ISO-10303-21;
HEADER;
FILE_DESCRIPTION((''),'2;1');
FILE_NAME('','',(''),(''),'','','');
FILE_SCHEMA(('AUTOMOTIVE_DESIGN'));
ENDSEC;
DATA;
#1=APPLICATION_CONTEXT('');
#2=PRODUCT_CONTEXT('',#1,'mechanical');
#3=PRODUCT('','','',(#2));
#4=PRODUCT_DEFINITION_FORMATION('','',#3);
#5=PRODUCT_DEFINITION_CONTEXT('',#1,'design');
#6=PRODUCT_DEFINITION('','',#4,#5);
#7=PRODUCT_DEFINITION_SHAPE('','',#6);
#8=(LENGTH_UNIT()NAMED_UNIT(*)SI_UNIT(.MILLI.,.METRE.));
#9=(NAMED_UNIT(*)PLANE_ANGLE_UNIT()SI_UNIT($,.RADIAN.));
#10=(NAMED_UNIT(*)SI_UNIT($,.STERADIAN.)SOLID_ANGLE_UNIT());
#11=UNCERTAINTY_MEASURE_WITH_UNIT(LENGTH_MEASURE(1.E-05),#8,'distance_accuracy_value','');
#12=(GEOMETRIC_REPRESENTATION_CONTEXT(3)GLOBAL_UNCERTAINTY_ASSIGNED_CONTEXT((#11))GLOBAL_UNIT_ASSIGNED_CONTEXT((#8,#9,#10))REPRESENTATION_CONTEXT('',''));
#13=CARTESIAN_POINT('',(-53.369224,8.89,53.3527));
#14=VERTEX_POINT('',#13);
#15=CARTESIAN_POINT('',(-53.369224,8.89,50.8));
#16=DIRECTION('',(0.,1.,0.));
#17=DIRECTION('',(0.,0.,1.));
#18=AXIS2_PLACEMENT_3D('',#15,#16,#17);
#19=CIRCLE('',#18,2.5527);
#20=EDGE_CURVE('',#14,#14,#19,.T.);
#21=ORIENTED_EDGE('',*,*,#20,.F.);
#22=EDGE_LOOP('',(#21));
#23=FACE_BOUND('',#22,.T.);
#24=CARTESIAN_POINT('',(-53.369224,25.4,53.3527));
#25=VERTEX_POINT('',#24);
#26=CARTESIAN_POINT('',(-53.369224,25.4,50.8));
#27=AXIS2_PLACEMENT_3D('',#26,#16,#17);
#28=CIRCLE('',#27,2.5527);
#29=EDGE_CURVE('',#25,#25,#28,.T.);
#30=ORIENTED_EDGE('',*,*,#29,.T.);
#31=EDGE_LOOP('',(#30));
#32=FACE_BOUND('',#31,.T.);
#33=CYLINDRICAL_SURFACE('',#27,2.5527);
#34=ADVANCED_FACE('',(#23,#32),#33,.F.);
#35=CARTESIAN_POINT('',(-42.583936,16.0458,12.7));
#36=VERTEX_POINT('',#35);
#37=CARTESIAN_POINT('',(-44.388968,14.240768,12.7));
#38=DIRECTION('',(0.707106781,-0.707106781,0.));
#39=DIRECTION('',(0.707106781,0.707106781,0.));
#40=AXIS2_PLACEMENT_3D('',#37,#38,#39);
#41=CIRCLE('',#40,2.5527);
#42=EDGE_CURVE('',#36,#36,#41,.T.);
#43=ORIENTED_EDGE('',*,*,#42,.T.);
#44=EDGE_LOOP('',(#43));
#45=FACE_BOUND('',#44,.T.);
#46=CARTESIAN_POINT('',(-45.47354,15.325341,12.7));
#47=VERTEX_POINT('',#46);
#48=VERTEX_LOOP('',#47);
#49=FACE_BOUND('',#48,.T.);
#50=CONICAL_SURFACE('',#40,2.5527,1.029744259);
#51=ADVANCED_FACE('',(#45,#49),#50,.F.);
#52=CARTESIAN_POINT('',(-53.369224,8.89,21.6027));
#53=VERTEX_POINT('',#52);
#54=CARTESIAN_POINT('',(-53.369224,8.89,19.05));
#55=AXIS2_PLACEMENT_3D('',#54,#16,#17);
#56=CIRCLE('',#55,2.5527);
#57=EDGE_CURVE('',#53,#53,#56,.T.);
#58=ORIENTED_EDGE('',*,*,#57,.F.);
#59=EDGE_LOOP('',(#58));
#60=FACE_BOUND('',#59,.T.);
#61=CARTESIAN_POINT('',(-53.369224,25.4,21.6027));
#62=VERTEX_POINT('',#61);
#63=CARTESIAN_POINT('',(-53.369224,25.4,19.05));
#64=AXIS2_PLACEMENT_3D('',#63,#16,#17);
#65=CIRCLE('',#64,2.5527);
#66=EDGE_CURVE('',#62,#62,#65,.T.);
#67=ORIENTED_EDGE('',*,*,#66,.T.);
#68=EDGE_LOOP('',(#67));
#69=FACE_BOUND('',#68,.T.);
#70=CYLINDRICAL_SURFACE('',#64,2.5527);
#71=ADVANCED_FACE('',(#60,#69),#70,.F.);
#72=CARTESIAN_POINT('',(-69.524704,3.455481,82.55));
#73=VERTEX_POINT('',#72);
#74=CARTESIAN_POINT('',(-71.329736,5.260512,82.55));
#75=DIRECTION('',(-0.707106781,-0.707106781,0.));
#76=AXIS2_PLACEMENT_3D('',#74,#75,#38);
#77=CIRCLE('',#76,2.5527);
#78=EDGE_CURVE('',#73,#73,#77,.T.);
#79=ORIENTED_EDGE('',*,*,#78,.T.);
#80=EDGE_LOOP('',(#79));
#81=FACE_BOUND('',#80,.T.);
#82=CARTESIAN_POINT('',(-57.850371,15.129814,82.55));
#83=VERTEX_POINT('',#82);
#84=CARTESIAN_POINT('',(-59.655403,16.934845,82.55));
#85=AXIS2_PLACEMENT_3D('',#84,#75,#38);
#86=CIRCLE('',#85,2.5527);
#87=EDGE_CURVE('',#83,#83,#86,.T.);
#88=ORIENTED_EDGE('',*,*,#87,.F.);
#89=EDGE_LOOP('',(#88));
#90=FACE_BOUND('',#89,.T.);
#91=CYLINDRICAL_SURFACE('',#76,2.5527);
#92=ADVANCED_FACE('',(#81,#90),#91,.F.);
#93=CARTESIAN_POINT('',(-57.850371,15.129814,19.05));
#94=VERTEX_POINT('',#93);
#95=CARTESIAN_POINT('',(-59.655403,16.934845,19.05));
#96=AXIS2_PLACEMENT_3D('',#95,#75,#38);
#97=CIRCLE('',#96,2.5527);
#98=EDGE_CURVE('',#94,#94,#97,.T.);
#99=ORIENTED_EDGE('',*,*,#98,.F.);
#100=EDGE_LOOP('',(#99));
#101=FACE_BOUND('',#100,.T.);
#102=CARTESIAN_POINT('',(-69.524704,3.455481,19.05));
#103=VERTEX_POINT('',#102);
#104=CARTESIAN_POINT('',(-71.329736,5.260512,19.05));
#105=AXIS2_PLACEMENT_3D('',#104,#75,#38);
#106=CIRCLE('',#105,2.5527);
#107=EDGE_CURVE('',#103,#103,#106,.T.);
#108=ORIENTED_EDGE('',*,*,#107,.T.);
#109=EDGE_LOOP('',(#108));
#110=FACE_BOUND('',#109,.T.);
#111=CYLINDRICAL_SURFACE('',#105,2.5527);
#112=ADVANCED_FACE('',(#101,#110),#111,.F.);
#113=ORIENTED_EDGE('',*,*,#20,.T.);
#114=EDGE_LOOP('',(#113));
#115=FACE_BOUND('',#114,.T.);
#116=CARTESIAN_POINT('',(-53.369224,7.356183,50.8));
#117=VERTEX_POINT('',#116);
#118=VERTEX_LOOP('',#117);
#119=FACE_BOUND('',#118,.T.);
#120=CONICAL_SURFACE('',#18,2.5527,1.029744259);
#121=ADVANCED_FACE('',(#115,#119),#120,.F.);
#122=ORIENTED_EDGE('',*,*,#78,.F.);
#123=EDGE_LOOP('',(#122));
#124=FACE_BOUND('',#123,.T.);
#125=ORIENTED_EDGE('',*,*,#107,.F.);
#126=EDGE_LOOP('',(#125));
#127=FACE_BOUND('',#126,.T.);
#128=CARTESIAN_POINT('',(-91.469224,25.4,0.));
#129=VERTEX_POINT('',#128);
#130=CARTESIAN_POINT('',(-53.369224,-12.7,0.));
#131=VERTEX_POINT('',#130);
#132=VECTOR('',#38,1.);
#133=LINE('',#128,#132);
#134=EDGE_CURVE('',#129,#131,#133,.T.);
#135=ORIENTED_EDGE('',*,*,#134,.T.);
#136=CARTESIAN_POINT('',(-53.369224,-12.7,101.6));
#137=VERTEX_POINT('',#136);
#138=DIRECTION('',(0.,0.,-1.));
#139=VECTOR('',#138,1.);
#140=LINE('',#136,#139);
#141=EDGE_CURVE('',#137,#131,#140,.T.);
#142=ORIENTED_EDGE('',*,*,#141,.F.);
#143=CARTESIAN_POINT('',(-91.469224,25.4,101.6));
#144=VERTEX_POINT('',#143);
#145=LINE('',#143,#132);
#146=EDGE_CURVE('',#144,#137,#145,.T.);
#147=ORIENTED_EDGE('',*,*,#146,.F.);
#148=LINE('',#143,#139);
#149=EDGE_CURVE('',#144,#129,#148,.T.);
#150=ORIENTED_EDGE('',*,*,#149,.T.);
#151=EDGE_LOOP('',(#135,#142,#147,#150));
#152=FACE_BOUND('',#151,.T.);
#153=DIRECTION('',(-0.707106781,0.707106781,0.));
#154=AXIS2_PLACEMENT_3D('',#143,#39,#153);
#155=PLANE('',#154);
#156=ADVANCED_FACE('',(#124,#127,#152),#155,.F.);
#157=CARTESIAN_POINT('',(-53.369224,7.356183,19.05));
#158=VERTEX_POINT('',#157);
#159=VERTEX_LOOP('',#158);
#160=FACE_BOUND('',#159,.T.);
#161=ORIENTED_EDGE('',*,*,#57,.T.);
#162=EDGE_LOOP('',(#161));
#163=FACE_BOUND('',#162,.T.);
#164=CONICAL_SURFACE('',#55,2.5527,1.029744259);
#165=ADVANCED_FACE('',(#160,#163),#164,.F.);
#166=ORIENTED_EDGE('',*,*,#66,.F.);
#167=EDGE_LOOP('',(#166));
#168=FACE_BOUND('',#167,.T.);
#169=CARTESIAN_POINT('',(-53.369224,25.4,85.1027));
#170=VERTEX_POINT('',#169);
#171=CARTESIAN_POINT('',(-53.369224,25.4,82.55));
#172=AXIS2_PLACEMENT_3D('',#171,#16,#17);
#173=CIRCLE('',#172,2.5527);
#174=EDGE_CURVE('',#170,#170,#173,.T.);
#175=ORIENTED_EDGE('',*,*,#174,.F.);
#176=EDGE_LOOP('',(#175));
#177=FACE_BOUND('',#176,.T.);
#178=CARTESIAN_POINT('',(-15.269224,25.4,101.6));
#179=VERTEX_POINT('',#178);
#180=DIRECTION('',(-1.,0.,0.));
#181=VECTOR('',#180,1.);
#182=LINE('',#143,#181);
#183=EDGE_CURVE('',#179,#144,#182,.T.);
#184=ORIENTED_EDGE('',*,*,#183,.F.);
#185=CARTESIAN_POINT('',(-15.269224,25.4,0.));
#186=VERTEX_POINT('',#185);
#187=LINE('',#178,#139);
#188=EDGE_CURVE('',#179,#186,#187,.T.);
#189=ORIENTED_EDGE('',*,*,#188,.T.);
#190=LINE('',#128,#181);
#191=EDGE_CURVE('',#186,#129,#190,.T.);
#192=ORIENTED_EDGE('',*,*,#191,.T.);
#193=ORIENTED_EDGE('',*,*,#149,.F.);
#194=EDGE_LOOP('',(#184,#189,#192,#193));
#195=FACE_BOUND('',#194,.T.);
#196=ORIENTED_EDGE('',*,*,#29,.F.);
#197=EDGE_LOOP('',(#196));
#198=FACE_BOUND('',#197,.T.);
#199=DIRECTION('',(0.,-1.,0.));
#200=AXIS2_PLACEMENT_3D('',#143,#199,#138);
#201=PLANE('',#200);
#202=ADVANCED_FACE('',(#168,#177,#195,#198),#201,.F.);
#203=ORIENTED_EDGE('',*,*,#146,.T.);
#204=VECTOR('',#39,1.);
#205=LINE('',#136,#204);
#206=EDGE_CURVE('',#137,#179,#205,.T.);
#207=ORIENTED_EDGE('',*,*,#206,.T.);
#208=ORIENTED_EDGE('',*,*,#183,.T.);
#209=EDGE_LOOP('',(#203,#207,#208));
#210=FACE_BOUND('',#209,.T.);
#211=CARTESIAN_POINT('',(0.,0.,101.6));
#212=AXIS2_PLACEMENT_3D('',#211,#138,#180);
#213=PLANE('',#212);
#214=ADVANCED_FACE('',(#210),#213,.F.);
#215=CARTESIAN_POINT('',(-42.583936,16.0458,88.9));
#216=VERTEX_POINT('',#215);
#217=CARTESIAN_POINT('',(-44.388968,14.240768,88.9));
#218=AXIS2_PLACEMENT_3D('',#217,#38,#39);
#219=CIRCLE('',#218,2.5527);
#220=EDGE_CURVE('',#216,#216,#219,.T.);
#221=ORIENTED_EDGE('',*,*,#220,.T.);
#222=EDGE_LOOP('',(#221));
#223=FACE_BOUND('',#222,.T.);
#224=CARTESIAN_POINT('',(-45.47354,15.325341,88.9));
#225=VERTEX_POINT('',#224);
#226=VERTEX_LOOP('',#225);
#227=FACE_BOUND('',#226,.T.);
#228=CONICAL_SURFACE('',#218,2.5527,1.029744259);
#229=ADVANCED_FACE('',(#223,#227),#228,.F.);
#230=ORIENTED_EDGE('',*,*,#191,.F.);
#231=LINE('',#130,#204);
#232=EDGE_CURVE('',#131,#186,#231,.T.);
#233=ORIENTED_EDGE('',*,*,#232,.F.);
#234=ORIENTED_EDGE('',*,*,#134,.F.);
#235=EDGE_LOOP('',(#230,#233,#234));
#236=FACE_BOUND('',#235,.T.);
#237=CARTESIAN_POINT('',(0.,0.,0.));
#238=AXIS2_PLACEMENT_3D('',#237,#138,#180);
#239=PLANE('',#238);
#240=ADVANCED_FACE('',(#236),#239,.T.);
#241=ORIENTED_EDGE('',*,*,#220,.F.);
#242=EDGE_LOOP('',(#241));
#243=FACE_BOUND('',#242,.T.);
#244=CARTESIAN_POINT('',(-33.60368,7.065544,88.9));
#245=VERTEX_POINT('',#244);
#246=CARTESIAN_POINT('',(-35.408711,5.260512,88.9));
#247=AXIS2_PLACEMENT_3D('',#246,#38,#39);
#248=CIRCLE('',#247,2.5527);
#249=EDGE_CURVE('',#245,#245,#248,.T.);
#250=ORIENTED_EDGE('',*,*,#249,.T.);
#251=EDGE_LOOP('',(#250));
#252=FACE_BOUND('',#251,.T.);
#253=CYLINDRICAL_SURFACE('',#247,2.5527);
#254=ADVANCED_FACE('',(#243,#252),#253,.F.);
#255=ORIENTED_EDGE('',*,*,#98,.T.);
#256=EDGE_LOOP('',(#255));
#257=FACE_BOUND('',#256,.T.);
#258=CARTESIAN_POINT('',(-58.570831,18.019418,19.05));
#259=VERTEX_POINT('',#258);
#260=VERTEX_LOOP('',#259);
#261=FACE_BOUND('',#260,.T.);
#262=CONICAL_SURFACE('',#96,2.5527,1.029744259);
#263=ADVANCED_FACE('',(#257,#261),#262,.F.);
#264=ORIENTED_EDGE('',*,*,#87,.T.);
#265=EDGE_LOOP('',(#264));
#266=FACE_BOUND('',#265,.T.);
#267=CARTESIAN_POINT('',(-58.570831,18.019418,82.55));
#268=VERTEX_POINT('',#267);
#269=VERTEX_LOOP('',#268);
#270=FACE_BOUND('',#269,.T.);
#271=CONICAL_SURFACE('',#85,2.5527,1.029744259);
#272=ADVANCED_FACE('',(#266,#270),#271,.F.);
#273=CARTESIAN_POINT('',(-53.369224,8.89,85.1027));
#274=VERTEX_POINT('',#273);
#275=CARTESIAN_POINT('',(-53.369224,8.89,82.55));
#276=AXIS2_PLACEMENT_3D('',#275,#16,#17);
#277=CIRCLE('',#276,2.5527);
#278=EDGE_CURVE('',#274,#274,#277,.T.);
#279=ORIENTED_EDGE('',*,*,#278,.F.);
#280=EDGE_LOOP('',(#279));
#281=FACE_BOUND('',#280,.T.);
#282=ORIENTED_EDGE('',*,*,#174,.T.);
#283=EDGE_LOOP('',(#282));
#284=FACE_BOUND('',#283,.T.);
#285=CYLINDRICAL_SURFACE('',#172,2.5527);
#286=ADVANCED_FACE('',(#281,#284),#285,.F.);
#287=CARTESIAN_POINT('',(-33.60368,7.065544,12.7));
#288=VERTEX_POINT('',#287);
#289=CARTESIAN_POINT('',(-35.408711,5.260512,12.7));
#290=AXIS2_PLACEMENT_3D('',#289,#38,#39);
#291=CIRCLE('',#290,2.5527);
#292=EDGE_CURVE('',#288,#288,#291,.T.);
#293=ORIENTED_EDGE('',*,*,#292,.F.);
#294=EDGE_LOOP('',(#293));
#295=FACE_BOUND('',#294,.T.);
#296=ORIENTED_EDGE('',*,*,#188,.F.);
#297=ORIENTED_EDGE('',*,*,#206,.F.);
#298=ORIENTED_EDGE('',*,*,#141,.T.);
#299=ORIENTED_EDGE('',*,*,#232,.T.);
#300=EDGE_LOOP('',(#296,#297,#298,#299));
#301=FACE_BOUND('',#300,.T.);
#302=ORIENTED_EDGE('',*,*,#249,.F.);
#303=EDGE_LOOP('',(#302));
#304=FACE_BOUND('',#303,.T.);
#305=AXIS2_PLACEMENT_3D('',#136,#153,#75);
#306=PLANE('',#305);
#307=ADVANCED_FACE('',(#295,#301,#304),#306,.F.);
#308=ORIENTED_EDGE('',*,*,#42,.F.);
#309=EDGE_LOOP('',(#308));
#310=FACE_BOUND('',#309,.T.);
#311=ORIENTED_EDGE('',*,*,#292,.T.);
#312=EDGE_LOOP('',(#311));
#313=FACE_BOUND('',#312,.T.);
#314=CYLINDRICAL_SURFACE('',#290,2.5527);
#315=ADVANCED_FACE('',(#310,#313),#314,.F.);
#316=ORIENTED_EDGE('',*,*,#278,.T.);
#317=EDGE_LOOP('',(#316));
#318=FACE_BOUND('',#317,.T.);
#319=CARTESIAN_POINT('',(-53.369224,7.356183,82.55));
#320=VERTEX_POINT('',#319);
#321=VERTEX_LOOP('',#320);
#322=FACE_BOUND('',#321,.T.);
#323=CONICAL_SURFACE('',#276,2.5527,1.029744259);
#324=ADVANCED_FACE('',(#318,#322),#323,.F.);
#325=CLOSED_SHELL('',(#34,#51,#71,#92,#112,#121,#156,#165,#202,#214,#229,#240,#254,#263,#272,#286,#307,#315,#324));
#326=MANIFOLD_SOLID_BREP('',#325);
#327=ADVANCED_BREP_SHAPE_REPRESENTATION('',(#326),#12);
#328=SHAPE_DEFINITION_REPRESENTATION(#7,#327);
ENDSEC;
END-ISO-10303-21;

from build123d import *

# Parameters (mm, degrees)
MAIN_EXTRUDE_DEPTH        = 101.6
MOUNTING_HOLES_D          = 5.1054
MOUNTING_HOLES_DEPTH      = 16.51
MOUNTING_HOLES_TIP        = 1.533816902
BEARING_MOUNT_LEFT_D      = 5.1054
BEARING_MOUNT_LEFT_DEPTH  = 12.7
BEARING_MOUNT_LEFT_TIP    = 1.533816902
BEARING_MOUNT_RIGHT_D     = 5.1054
BEARING_MOUNT_RIGHT_DEPTH = 16.51
BEARING_MOUNT_RIGHT_TIP   = 1.533816902


with BuildPart() as part:
    # Sketch2 → Main extrude (new body)
    with BuildSketch(Plane.XY):
        Polygon((-91.469223626, 25.4), (-53.369223626, -12.7), (-15.269223626, 25.4), align=None)
    extrude(amount=MAIN_EXTRUDE_DEPTH)

    # Mounting holes
    with Locations(Plane(origin=(0, 25.4, 0), x_dir=(1, 0, 0), z_dir=(0, 1, 0))):
        with Locations((-53.369223626, -19.05), (-53.369223626, -82.55), (-53.369223626, -50.8)):
            Hole(MOUNTING_HOLES_D / 2, depth=MOUNTING_HOLES_DEPTH)
            with Locations((0, 0, -(MOUNTING_HOLES_DEPTH + MOUNTING_HOLES_TIP / 2))):  # 118° drill point
                Cone(0, MOUNTING_HOLES_D / 2, MOUNTING_HOLES_TIP, mode=Mode.SUBTRACT)

    # Bearing mount left
    with Locations(Plane(origin=(-20.334611813, 20.334611813, 0), x_dir=(-0.707106781, -0.707106781, 0), z_dir=(0.707106781, -0.707106781, 0))):
        with Locations((21.317996054, -12.7), (21.317996054, -88.9)):
            Hole(BEARING_MOUNT_LEFT_D / 2, depth=BEARING_MOUNT_LEFT_DEPTH)
            with Locations((0, 0, -(BEARING_MOUNT_LEFT_DEPTH + BEARING_MOUNT_LEFT_TIP / 2))):  # 118° drill point
                Cone(0, BEARING_MOUNT_LEFT_D / 2, BEARING_MOUNT_LEFT_TIP, mode=Mode.SUBTRACT)

    # Bearing mount right
    with Locations(Plane(origin=(-33.034611813, -33.034611813, 0), x_dir=(-0.707106781, 0.707106781, 0), z_dir=(-0.707106781, -0.707106781, 0))):
        with Locations((54.157483812, -82.55), (54.157483812, -19.05)):
            Hole(BEARING_MOUNT_RIGHT_D / 2, depth=BEARING_MOUNT_RIGHT_DEPTH)
            with Locations((0, 0, -(BEARING_MOUNT_RIGHT_DEPTH + BEARING_MOUNT_RIGHT_TIP / 2))):  # 118° drill point
                Cone(0, BEARING_MOUNT_RIGHT_D / 2, BEARING_MOUNT_RIGHT_TIP, mode=Mode.SUBTRACT)


solid = part.part
